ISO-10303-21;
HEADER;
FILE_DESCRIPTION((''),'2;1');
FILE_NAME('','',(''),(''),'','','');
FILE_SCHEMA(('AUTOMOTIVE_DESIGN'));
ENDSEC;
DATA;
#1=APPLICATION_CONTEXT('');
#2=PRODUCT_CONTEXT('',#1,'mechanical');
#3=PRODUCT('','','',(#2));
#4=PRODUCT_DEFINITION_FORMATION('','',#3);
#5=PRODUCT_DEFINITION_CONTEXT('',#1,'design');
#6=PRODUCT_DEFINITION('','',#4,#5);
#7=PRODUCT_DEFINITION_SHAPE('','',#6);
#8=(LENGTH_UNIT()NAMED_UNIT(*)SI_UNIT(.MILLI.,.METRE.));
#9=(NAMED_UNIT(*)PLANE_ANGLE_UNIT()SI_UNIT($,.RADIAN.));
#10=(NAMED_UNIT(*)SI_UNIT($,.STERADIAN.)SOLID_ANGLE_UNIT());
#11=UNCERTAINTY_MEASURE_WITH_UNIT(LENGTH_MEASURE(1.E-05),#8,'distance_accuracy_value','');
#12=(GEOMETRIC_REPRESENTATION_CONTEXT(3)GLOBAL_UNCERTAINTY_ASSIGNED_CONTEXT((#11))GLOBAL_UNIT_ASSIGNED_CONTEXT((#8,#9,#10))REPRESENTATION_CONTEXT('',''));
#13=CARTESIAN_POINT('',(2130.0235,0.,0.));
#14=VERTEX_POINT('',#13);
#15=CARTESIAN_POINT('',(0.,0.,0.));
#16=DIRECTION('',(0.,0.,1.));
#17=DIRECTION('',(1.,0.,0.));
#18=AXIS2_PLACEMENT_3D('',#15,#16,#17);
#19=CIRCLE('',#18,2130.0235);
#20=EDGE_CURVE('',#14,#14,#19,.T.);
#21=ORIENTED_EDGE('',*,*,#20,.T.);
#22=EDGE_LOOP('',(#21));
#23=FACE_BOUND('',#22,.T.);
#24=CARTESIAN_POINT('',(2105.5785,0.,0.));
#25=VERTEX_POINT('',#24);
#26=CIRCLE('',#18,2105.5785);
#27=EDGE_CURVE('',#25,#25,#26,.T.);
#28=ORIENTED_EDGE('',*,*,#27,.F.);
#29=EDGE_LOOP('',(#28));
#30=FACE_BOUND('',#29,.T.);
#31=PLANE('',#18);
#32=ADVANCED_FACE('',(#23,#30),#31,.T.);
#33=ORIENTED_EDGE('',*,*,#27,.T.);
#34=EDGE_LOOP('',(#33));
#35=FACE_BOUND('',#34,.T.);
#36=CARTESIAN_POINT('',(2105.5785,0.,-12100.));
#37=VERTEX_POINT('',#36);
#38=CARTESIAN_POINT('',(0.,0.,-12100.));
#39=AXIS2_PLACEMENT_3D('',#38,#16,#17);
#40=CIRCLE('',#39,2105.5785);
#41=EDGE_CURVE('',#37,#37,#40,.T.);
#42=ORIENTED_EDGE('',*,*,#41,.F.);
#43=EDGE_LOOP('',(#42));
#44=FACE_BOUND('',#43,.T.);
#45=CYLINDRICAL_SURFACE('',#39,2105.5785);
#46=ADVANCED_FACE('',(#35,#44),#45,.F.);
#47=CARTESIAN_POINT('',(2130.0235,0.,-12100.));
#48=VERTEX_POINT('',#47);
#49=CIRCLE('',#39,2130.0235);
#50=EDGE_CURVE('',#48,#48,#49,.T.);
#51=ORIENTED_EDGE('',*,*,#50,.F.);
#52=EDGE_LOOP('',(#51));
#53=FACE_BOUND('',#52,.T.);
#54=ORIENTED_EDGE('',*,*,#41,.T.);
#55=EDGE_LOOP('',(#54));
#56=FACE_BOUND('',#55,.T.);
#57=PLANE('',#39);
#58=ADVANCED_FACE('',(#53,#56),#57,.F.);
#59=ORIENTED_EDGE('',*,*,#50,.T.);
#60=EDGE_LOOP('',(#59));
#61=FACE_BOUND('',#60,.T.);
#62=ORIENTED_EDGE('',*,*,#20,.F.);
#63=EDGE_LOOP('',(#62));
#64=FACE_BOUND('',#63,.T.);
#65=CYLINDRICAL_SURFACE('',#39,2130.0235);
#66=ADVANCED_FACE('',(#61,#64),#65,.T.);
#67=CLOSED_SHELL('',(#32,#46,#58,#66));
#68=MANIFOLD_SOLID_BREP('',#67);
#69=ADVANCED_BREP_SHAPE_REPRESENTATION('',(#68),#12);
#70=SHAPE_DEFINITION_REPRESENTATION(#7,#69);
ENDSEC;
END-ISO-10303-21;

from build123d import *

# Parameters (mm, degrees)
SKETCH1_R           = 2130.0235
SKETCH1_R_2         = 2105.5785
BOSS_EXTRUDE1_DEPTH = 12100


with BuildPart() as part:
    # Sketch1 → Boss-Extrude1 (new body)
    with BuildSketch(Plane.XY):
        Circle(SKETCH1_R)
        Circle(SKETCH1_R_2, mode=Mode.SUBTRACT)
    extrude(amount=-BOSS_EXTRUDE1_DEPTH)


solid = part.part
